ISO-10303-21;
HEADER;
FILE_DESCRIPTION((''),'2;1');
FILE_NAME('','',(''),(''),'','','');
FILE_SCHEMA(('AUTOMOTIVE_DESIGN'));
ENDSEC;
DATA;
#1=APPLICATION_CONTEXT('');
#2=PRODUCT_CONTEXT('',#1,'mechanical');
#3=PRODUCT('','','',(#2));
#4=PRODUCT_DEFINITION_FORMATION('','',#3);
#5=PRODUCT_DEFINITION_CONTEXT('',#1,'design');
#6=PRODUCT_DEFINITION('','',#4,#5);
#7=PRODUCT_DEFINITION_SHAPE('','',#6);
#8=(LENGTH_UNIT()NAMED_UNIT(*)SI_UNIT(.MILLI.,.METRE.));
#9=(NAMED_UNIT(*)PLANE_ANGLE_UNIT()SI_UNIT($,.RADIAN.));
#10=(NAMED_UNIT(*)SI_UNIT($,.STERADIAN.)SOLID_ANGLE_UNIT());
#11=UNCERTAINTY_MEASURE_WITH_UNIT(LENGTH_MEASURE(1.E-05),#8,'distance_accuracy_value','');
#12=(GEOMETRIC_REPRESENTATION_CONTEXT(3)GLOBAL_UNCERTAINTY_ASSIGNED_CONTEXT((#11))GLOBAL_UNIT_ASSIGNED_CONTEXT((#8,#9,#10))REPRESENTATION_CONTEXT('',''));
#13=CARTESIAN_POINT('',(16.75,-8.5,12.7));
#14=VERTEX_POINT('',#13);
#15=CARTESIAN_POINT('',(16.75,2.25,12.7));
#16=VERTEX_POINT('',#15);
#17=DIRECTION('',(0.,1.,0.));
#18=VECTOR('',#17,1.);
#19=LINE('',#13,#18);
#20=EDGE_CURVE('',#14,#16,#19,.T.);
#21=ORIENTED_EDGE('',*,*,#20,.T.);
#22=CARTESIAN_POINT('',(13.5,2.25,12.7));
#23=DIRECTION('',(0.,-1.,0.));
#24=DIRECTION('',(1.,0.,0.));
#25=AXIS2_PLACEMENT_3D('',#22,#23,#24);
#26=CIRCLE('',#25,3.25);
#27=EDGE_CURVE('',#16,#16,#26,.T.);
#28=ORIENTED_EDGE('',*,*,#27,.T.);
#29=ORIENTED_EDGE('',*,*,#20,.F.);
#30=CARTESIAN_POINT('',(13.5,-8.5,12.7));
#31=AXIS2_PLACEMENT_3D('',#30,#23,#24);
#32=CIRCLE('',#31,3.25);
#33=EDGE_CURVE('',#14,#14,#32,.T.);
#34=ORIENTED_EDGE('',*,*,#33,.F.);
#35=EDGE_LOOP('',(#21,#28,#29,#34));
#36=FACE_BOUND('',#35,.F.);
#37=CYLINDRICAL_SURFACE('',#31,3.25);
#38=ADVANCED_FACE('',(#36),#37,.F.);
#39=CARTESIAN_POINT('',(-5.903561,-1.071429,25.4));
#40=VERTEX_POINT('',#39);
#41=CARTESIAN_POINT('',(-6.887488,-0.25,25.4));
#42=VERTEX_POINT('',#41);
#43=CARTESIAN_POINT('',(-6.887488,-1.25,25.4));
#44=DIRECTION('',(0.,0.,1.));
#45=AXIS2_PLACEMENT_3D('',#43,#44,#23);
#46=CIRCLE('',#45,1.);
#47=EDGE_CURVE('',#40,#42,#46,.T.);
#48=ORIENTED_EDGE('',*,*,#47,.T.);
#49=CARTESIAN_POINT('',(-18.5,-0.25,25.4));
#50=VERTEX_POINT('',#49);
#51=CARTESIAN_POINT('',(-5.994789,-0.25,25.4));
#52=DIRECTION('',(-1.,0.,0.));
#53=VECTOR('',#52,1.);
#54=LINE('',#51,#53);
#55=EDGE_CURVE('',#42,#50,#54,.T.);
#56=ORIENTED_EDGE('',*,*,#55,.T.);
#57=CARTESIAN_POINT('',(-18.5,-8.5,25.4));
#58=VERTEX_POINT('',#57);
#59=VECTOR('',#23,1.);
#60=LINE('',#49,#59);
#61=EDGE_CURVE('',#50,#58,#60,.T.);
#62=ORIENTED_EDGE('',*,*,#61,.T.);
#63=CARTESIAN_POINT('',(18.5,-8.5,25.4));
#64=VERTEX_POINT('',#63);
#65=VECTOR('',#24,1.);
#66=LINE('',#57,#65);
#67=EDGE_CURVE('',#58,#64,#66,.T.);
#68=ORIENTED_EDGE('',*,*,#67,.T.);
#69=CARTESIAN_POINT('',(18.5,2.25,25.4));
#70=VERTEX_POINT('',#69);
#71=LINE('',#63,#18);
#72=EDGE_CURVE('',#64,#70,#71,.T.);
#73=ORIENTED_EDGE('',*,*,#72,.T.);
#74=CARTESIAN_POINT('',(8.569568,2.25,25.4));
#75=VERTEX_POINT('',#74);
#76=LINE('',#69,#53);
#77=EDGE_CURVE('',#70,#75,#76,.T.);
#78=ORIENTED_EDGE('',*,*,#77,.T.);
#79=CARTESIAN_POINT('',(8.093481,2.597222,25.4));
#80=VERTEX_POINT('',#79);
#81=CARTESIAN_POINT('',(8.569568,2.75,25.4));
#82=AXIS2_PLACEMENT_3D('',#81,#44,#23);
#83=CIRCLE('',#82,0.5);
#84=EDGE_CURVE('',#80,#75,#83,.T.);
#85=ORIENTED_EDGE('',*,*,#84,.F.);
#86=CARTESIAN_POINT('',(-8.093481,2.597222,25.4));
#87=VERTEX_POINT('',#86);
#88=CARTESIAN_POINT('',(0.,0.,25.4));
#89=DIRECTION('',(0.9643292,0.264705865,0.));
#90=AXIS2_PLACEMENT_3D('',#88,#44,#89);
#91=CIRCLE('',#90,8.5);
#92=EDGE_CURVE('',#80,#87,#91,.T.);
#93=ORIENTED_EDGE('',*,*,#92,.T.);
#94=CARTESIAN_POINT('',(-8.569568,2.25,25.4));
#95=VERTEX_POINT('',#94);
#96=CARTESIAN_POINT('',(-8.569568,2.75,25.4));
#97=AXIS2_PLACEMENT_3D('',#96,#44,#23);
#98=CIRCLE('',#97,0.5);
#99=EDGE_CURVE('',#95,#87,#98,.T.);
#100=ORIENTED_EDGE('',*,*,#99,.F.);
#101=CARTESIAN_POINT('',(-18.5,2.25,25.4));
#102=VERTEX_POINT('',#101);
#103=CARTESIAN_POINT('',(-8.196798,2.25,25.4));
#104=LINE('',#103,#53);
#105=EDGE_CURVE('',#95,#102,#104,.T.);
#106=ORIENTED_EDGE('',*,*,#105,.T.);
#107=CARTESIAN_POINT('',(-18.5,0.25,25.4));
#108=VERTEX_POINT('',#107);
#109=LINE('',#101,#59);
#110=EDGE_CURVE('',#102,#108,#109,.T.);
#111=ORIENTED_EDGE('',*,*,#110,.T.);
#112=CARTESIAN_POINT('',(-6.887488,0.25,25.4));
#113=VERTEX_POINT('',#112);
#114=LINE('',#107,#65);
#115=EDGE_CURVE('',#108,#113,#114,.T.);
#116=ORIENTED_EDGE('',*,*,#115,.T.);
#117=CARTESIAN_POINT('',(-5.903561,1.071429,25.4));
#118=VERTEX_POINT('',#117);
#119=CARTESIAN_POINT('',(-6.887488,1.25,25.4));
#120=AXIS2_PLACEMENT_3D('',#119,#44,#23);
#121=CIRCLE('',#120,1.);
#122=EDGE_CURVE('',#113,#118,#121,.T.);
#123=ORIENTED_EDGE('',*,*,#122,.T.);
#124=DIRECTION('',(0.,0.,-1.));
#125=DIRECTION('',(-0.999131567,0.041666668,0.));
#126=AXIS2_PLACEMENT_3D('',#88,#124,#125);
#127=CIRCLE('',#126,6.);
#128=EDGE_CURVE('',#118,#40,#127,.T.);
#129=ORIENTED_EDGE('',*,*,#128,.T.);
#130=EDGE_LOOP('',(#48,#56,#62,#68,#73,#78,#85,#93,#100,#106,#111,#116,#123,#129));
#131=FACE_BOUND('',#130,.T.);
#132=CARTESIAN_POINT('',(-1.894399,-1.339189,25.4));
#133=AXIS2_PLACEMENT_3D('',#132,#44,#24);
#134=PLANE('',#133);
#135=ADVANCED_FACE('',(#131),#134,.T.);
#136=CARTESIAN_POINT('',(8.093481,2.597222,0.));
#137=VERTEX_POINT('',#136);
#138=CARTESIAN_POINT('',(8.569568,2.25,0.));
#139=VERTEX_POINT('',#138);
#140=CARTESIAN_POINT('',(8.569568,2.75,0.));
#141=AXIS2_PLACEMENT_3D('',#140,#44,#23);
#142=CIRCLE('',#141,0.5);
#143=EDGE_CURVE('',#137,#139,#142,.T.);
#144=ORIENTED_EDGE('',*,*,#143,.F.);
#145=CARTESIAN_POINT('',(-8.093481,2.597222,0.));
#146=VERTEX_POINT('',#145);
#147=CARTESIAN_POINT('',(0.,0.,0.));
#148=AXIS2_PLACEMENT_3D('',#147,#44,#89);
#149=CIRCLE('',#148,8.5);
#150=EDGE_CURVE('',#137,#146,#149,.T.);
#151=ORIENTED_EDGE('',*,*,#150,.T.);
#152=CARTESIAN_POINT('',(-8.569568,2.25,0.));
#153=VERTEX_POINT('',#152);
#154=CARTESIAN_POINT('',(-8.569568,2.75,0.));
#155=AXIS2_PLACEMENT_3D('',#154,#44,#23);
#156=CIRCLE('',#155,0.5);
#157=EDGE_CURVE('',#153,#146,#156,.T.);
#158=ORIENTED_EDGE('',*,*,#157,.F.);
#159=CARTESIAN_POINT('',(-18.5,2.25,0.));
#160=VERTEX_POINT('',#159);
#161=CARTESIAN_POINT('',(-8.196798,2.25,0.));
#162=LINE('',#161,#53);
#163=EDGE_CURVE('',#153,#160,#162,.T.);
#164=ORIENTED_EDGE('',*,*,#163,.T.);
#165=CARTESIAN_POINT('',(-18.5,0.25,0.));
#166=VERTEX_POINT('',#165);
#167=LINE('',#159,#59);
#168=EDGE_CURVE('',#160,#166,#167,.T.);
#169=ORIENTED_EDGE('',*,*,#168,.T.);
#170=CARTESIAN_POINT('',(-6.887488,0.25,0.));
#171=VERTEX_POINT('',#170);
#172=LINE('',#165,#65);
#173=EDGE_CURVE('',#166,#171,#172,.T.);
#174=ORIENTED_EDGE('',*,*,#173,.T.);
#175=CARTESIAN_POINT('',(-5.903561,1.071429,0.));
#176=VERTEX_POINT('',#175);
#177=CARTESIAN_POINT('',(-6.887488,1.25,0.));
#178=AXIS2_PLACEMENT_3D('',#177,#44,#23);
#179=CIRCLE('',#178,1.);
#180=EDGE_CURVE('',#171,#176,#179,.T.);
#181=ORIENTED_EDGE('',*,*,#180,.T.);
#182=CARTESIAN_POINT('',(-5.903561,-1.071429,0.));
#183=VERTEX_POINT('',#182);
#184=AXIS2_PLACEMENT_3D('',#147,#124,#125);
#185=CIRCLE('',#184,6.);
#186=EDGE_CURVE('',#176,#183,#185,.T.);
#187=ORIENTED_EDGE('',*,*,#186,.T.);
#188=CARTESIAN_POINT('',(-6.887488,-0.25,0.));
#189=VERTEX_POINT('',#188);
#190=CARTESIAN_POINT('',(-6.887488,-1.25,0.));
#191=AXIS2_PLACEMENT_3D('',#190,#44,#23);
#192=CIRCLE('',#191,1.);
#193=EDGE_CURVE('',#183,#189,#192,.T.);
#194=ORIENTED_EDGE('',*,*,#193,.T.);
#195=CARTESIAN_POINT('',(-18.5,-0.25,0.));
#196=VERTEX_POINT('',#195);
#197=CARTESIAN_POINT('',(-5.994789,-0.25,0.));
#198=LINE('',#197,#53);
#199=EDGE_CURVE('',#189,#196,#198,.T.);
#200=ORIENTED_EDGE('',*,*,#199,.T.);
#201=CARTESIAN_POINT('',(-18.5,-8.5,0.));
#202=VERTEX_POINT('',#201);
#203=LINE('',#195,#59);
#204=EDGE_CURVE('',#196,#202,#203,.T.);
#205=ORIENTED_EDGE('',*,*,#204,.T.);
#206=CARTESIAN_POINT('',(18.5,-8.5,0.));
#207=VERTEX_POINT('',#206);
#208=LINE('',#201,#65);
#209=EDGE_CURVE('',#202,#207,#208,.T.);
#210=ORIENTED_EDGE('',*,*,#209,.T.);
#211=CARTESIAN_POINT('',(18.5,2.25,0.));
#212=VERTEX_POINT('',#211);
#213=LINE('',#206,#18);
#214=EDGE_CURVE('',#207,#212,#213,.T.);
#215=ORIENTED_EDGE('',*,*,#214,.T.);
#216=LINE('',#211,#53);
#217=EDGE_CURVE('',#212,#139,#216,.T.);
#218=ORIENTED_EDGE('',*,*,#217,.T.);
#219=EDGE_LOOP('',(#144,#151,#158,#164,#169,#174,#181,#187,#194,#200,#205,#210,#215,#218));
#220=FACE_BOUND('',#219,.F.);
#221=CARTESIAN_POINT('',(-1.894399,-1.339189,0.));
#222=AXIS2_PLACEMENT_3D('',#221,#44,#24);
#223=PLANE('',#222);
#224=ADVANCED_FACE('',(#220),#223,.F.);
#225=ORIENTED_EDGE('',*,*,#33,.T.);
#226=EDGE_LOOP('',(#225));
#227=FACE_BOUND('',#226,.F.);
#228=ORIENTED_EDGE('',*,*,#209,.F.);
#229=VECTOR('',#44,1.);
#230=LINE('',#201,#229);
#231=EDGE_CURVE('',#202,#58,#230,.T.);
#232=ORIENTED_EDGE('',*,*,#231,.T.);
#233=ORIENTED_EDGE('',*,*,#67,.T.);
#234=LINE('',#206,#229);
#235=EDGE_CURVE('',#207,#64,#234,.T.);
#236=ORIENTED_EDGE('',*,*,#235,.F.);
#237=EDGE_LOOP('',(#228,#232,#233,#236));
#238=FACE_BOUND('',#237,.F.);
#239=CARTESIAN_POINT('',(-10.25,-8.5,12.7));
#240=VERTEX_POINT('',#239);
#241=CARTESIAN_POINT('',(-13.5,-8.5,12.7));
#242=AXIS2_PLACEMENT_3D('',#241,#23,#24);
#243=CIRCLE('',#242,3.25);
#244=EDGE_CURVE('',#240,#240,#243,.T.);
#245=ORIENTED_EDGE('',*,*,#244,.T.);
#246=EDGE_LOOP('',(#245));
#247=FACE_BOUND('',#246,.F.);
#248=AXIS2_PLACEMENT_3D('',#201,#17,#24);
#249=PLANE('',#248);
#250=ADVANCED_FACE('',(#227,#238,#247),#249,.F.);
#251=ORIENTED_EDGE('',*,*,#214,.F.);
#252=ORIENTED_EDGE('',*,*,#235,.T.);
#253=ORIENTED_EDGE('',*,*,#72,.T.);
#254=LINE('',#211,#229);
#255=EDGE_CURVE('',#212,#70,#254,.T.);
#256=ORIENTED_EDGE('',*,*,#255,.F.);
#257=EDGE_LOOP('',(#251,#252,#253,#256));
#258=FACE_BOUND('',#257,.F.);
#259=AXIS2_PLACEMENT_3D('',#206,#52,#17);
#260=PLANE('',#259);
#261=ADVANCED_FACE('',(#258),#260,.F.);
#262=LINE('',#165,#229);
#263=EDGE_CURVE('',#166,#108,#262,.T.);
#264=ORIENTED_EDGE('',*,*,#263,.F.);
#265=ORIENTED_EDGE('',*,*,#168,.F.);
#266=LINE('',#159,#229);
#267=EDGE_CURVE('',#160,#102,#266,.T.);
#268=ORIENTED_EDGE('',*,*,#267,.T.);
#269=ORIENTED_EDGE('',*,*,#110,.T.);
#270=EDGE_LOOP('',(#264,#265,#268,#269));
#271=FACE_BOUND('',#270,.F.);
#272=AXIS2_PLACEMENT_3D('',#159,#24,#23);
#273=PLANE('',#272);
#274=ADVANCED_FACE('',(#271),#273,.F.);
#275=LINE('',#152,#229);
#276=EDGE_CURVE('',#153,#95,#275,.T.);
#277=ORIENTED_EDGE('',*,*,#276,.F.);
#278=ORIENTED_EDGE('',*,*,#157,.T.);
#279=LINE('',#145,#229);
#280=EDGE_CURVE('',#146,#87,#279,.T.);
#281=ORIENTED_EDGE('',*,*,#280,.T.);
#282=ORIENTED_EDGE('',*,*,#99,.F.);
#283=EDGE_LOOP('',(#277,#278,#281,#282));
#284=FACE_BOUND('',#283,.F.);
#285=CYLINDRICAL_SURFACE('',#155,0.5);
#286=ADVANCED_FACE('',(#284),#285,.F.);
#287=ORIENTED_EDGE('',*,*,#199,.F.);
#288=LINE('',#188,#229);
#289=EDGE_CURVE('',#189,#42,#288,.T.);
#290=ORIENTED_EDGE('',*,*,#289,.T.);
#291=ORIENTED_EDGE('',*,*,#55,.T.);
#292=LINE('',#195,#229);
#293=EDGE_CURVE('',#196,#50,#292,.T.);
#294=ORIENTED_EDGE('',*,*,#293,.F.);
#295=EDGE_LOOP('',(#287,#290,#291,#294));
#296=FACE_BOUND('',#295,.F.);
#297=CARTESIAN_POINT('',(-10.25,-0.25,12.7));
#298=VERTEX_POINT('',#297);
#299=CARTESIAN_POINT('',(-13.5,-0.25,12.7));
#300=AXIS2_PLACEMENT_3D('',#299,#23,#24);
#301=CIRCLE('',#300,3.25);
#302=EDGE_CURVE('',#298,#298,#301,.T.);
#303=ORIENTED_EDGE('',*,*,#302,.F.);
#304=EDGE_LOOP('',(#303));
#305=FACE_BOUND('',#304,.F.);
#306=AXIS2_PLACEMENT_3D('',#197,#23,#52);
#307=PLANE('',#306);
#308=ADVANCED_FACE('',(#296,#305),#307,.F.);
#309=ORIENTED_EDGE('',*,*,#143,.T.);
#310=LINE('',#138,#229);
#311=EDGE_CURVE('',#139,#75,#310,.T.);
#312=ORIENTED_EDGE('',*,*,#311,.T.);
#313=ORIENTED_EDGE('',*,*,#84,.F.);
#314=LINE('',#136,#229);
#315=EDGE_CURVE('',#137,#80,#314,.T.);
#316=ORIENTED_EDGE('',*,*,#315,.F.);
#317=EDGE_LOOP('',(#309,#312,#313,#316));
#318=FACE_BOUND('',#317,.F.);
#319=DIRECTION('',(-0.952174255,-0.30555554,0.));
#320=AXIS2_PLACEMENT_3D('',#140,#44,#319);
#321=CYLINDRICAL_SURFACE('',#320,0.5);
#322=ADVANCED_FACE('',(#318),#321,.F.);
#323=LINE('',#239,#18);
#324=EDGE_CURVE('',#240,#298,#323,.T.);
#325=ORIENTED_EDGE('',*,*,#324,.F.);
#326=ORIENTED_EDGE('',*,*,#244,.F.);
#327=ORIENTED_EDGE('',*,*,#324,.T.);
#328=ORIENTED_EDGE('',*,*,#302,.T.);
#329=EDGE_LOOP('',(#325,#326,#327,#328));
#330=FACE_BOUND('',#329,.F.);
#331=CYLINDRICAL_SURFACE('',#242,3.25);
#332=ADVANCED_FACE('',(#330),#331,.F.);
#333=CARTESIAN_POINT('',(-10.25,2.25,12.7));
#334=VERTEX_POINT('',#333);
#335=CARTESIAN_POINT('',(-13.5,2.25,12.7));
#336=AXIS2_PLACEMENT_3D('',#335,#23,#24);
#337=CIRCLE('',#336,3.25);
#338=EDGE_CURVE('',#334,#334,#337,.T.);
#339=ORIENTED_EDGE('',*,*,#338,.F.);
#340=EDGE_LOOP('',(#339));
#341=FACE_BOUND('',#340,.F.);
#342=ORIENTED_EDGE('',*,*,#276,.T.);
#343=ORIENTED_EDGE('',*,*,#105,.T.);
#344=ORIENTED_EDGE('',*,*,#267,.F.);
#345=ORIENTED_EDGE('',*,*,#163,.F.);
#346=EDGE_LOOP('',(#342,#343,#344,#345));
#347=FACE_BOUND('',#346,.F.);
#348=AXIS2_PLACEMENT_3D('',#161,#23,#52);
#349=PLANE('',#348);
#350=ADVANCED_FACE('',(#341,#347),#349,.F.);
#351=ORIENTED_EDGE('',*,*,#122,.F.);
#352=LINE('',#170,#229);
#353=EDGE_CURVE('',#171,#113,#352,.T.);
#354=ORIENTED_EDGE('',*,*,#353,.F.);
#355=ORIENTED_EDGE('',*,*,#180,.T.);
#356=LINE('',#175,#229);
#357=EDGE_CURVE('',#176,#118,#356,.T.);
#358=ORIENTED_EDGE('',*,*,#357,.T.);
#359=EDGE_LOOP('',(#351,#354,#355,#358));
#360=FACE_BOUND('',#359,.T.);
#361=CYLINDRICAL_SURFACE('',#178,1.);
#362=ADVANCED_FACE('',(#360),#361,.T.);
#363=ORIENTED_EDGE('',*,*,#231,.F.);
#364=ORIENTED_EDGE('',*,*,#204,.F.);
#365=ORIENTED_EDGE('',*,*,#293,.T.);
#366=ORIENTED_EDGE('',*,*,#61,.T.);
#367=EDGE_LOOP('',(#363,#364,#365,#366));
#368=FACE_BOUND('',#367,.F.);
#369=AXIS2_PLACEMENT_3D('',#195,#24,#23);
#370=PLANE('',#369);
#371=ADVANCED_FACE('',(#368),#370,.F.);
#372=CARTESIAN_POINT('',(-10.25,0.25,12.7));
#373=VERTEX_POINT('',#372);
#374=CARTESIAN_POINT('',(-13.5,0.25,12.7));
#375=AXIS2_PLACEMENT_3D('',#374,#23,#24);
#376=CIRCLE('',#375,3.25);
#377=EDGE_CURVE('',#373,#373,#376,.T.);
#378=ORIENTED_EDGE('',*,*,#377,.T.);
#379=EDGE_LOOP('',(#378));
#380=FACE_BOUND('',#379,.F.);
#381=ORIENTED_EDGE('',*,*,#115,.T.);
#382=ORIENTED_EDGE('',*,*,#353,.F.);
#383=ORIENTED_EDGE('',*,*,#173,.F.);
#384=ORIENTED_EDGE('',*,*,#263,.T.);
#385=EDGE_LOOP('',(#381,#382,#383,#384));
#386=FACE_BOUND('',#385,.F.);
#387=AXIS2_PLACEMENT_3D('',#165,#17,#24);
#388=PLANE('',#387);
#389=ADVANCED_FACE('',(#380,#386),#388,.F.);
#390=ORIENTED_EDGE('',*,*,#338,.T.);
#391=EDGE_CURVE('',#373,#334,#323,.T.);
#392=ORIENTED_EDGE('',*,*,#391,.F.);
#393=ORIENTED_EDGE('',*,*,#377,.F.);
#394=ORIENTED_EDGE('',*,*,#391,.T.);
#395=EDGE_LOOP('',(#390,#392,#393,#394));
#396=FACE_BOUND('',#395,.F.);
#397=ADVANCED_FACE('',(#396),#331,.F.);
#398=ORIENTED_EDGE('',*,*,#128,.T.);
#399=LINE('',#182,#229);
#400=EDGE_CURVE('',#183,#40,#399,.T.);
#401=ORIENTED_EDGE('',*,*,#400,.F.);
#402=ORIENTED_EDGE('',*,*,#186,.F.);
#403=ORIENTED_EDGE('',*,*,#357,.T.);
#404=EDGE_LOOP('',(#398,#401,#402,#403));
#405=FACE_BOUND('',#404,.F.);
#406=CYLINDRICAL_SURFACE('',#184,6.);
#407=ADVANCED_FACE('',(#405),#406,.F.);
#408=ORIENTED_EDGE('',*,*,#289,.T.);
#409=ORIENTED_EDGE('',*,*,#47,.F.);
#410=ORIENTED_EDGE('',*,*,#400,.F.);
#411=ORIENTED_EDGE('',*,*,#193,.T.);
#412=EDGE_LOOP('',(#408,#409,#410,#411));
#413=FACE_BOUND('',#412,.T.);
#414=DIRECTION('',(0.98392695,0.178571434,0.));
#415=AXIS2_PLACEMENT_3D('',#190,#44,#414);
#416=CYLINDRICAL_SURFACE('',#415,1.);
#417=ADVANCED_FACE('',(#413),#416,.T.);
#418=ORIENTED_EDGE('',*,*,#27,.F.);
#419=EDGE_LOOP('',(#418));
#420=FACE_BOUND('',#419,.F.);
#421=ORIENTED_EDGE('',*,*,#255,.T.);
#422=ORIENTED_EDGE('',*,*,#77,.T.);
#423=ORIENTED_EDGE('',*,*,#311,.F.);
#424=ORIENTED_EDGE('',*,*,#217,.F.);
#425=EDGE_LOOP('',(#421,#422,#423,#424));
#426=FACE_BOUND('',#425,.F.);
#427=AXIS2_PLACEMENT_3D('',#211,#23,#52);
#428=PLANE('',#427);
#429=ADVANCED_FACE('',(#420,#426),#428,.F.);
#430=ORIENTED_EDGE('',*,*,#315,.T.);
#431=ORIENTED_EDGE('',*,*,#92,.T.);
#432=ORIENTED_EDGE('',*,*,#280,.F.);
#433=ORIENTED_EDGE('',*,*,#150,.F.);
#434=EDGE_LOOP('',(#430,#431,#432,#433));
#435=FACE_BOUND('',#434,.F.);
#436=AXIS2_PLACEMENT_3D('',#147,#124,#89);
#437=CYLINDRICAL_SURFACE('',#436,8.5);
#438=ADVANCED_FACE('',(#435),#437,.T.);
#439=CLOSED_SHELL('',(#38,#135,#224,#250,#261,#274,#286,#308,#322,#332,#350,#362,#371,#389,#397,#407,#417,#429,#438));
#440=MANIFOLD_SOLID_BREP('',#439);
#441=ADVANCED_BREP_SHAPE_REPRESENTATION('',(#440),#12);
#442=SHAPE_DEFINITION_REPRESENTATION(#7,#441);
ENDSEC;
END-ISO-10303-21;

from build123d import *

# Parameters (mm, degrees)
F1_DEPTH = 25.4
F2_R     = 1
F3_R     = 0.5
F4_R     = 3.25
F5_DEPTH = 17.001


with BuildPart() as f1:
    # F0 (on Top) → F1 (new body)
    with BuildSketch(Plane.XY):
        with BuildLine():
            Line((-18.5, -0.25), (-18.5, -8.5))
            Line((-18.5, -8.5), (18.5, -8.5))
            Line((18.5, -8.5), (18.5, 2.25))
            Line((18.5, 2.25), (8.196798, 2.25))
            ThreePointArc((8.196798, 2.25), (0, 8.5), (-8.196798, 2.25))
            Line((-8.196798, 2.25), (-18.5, 2.25))
            Line((-18.5, 2.25), (-18.5, 0.25))
            Line((-18.5, 0.25), (-5.994789, 0.25))
            ThreePointArc((-5.994789, 0.25), (6, 0), (-5.994789, -0.25))
            Line((-5.994789, -0.25), (-18.5, -0.25))
        make_face()
    extrude(amount=F1_DEPTH)

    # F2
    f2_edges = [f1.edges().sort_by_distance(p)[0] for p in [
        (-5.994789, 0.25, 12.7),
        (-5.994789, -0.25, 12.7),
    ]]
    fillet(f2_edges, radius=F2_R)

    # F3
    f3_edges = [f1.edges().sort_by_distance(p)[0] for p in [
        (-8.196798, 2.25, 12.7),
        (8.196798, 2.25, 12.7),
    ]]
    fillet(f3_edges, radius=F3_R)

    # F4 (on face) → F5 (cut, through all)
    with BuildSketch(Plane.XZ.offset(8.5)):
        with Locations((-13.5, 12.7)):
            Circle(F4_R)
        with Locations((13.5, 12.7)):
            Circle(F4_R)
    extrude(amount=-F5_DEPTH, mode=Mode.SUBTRACT)


solid = f1.part
